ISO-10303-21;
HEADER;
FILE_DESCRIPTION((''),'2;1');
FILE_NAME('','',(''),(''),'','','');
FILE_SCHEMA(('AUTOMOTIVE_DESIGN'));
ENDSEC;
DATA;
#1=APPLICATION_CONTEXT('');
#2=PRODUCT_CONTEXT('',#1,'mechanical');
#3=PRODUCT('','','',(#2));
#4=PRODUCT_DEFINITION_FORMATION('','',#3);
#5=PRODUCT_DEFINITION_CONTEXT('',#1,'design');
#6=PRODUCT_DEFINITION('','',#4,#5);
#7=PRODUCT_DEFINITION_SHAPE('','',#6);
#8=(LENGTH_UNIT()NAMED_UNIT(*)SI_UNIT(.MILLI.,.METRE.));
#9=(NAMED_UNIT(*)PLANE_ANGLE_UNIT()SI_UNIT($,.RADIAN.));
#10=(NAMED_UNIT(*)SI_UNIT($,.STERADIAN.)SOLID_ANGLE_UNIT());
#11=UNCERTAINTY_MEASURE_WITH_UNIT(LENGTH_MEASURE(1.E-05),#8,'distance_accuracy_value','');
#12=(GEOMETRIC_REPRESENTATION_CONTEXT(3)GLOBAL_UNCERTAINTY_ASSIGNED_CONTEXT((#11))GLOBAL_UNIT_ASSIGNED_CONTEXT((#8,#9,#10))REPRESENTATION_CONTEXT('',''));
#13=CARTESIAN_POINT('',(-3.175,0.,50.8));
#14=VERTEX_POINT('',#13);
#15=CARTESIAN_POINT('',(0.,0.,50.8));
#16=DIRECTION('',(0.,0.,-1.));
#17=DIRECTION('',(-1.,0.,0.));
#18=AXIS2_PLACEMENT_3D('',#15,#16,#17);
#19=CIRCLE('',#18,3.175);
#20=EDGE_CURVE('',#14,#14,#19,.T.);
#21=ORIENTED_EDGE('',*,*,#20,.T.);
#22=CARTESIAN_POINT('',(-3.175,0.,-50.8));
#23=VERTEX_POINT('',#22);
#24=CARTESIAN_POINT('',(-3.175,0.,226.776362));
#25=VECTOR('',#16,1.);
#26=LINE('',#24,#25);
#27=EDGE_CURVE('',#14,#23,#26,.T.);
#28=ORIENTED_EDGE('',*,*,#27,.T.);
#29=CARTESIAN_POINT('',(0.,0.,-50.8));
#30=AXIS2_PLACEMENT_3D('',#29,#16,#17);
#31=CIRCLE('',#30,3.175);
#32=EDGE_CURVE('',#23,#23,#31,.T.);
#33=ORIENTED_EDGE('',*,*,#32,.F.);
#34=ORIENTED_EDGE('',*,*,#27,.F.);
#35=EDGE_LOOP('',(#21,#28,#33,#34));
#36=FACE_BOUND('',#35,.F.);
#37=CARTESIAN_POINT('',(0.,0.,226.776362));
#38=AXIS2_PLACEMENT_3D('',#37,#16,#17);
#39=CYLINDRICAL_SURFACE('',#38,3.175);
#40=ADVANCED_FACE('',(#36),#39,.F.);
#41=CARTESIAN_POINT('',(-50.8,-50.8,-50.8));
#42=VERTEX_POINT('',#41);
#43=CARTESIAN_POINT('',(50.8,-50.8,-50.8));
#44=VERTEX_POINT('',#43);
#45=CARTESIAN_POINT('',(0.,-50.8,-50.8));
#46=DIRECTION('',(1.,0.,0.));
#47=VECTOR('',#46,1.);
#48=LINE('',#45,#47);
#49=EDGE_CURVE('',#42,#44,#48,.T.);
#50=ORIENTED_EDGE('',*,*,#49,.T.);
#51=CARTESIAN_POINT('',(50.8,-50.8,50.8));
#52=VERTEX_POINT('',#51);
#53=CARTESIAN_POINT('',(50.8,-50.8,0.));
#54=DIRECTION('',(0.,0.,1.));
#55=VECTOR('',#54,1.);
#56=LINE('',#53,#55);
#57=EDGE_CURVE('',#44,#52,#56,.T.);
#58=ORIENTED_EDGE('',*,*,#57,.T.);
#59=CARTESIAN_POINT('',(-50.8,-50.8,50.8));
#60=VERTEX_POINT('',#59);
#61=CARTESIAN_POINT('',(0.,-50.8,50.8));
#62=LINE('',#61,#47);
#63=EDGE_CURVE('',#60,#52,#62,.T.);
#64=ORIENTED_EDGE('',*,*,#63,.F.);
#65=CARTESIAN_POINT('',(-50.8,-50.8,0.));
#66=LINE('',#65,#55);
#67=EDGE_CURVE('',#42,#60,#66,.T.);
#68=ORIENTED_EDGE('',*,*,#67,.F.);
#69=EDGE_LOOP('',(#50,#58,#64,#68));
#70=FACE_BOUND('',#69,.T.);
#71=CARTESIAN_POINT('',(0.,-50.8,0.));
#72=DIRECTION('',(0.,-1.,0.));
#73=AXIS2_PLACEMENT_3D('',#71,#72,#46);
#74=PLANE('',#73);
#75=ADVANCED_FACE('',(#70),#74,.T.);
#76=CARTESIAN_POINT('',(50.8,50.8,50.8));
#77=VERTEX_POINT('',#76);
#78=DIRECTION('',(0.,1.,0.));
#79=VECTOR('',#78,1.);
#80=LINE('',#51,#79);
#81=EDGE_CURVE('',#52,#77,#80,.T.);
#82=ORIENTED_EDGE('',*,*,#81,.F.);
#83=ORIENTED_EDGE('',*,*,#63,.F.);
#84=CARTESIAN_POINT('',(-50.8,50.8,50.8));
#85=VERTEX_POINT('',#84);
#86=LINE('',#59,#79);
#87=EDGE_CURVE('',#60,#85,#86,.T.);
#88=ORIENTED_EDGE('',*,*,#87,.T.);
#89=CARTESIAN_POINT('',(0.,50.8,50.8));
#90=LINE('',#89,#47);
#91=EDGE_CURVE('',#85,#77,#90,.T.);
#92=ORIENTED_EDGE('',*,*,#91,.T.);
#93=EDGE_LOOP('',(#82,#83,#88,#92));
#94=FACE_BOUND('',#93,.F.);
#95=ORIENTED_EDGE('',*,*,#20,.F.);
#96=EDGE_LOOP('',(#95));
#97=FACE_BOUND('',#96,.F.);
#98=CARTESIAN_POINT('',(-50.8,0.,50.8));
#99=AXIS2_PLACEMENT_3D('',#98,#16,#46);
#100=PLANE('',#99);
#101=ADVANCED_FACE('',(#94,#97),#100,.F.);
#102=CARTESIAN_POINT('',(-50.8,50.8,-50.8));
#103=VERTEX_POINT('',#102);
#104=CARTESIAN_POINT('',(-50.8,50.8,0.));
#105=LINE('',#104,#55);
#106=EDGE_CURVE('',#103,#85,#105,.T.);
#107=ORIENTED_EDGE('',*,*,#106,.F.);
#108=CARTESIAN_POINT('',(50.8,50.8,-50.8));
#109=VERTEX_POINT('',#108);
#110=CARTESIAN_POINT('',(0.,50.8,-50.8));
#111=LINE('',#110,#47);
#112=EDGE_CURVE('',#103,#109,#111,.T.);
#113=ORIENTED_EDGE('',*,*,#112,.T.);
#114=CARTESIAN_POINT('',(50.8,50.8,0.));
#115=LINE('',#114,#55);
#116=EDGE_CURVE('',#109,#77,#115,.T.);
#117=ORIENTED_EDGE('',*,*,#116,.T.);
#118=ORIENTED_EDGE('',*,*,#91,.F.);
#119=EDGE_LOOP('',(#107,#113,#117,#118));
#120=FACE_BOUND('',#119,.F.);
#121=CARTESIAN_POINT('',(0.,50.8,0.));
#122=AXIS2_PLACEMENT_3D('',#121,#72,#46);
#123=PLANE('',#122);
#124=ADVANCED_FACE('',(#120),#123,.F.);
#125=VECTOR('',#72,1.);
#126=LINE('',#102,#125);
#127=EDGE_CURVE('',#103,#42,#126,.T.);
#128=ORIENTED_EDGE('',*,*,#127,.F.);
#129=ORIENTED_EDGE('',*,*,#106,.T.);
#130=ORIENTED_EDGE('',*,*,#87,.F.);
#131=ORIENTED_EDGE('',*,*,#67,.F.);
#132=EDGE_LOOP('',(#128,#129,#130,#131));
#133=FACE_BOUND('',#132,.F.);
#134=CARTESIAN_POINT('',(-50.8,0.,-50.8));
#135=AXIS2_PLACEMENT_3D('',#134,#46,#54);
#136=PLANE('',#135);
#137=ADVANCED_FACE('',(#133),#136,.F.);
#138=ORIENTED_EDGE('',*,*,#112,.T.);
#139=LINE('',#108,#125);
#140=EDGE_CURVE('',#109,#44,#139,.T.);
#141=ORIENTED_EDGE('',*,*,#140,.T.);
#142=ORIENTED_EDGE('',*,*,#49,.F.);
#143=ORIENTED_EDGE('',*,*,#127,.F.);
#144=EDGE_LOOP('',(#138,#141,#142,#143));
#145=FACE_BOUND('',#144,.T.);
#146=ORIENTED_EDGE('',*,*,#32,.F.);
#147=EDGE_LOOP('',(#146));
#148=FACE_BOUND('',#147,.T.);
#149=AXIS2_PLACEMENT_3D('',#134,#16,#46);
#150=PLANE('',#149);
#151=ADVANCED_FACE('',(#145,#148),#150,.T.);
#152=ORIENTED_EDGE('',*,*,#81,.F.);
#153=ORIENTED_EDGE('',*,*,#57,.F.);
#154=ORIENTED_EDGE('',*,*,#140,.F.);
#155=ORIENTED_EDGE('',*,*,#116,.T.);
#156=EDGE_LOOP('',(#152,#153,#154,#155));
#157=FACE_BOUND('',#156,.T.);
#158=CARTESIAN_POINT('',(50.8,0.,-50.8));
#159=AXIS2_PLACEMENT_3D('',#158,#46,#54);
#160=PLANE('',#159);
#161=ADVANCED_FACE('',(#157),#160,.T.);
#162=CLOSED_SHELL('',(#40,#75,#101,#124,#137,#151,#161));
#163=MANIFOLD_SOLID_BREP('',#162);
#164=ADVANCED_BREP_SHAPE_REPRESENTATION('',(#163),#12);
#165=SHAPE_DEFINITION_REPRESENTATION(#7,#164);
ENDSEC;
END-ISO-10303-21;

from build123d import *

# Parameters (mm, degrees)
F0_W     = 101.6
F0_H     = 101.6
F1_DEPTH = 50.8
F3_D     = 6.35


with BuildPart() as f1:
    # F0 (on Front) → F1 (new body, symmetric)
    with BuildSketch(Plane.XZ):
        Rectangle(F0_W, F0_H)
    extrude(amount=F1_DEPTH, both=True)

    # F3 (through all)
    with Locations(Plane.XY.offset(50.8)):
        with Locations((0, 0)):
            Hole(F3_D / 2)


solid = f1.part
